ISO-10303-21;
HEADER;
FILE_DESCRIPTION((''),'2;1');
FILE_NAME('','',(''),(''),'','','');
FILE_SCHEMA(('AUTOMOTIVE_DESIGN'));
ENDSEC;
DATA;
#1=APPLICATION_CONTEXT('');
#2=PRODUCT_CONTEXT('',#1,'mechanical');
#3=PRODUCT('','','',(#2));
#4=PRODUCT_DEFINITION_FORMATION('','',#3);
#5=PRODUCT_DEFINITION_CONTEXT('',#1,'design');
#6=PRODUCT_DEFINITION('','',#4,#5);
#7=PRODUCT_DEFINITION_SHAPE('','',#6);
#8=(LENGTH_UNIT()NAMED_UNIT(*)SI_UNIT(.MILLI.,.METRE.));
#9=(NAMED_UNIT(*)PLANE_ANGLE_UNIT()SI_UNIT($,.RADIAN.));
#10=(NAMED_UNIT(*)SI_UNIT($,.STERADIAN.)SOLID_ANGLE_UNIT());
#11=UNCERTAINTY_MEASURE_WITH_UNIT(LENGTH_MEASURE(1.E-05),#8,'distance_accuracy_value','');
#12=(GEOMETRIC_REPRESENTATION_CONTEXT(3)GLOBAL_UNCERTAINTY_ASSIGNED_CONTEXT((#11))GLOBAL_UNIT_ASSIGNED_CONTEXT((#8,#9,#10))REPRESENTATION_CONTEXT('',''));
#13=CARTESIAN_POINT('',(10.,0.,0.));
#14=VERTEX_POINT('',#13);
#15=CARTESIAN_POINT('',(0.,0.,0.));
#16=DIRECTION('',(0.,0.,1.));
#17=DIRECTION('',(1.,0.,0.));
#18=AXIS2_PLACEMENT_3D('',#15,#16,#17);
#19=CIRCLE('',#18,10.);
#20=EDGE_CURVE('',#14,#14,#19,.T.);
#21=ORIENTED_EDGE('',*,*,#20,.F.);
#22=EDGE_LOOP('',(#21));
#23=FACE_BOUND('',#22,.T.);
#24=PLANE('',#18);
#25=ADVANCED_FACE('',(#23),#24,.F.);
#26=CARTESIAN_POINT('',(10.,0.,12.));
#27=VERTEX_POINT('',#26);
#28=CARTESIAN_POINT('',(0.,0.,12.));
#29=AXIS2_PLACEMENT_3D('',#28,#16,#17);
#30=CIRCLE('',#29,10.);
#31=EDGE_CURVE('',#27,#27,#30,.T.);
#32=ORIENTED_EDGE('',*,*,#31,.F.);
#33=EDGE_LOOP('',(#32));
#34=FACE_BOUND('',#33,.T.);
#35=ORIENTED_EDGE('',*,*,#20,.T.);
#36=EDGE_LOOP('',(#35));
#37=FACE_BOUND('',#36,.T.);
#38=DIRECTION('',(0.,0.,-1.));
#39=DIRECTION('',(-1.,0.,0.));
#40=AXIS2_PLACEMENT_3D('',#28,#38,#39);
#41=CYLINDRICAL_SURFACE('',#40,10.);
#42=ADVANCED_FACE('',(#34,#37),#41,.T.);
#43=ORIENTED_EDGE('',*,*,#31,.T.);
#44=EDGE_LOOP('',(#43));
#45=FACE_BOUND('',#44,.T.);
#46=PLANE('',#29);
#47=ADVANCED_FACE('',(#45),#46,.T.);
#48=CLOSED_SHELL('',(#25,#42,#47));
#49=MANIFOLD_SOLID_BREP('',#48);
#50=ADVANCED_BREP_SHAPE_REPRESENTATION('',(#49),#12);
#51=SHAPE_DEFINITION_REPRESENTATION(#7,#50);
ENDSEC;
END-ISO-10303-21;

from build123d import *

# Parameters (mm, degrees)
ESQUISSE1_R        = 10
BOSS_EXTRU_1_DEPTH = 12


with BuildPart() as part:
    # Esquisse1 → Boss.-Extru.1 (new body)
    with BuildSketch(Plane.XY):
        Circle(ESQUISSE1_R)
    extrude(amount=BOSS_EXTRU_1_DEPTH)


solid = part.part
